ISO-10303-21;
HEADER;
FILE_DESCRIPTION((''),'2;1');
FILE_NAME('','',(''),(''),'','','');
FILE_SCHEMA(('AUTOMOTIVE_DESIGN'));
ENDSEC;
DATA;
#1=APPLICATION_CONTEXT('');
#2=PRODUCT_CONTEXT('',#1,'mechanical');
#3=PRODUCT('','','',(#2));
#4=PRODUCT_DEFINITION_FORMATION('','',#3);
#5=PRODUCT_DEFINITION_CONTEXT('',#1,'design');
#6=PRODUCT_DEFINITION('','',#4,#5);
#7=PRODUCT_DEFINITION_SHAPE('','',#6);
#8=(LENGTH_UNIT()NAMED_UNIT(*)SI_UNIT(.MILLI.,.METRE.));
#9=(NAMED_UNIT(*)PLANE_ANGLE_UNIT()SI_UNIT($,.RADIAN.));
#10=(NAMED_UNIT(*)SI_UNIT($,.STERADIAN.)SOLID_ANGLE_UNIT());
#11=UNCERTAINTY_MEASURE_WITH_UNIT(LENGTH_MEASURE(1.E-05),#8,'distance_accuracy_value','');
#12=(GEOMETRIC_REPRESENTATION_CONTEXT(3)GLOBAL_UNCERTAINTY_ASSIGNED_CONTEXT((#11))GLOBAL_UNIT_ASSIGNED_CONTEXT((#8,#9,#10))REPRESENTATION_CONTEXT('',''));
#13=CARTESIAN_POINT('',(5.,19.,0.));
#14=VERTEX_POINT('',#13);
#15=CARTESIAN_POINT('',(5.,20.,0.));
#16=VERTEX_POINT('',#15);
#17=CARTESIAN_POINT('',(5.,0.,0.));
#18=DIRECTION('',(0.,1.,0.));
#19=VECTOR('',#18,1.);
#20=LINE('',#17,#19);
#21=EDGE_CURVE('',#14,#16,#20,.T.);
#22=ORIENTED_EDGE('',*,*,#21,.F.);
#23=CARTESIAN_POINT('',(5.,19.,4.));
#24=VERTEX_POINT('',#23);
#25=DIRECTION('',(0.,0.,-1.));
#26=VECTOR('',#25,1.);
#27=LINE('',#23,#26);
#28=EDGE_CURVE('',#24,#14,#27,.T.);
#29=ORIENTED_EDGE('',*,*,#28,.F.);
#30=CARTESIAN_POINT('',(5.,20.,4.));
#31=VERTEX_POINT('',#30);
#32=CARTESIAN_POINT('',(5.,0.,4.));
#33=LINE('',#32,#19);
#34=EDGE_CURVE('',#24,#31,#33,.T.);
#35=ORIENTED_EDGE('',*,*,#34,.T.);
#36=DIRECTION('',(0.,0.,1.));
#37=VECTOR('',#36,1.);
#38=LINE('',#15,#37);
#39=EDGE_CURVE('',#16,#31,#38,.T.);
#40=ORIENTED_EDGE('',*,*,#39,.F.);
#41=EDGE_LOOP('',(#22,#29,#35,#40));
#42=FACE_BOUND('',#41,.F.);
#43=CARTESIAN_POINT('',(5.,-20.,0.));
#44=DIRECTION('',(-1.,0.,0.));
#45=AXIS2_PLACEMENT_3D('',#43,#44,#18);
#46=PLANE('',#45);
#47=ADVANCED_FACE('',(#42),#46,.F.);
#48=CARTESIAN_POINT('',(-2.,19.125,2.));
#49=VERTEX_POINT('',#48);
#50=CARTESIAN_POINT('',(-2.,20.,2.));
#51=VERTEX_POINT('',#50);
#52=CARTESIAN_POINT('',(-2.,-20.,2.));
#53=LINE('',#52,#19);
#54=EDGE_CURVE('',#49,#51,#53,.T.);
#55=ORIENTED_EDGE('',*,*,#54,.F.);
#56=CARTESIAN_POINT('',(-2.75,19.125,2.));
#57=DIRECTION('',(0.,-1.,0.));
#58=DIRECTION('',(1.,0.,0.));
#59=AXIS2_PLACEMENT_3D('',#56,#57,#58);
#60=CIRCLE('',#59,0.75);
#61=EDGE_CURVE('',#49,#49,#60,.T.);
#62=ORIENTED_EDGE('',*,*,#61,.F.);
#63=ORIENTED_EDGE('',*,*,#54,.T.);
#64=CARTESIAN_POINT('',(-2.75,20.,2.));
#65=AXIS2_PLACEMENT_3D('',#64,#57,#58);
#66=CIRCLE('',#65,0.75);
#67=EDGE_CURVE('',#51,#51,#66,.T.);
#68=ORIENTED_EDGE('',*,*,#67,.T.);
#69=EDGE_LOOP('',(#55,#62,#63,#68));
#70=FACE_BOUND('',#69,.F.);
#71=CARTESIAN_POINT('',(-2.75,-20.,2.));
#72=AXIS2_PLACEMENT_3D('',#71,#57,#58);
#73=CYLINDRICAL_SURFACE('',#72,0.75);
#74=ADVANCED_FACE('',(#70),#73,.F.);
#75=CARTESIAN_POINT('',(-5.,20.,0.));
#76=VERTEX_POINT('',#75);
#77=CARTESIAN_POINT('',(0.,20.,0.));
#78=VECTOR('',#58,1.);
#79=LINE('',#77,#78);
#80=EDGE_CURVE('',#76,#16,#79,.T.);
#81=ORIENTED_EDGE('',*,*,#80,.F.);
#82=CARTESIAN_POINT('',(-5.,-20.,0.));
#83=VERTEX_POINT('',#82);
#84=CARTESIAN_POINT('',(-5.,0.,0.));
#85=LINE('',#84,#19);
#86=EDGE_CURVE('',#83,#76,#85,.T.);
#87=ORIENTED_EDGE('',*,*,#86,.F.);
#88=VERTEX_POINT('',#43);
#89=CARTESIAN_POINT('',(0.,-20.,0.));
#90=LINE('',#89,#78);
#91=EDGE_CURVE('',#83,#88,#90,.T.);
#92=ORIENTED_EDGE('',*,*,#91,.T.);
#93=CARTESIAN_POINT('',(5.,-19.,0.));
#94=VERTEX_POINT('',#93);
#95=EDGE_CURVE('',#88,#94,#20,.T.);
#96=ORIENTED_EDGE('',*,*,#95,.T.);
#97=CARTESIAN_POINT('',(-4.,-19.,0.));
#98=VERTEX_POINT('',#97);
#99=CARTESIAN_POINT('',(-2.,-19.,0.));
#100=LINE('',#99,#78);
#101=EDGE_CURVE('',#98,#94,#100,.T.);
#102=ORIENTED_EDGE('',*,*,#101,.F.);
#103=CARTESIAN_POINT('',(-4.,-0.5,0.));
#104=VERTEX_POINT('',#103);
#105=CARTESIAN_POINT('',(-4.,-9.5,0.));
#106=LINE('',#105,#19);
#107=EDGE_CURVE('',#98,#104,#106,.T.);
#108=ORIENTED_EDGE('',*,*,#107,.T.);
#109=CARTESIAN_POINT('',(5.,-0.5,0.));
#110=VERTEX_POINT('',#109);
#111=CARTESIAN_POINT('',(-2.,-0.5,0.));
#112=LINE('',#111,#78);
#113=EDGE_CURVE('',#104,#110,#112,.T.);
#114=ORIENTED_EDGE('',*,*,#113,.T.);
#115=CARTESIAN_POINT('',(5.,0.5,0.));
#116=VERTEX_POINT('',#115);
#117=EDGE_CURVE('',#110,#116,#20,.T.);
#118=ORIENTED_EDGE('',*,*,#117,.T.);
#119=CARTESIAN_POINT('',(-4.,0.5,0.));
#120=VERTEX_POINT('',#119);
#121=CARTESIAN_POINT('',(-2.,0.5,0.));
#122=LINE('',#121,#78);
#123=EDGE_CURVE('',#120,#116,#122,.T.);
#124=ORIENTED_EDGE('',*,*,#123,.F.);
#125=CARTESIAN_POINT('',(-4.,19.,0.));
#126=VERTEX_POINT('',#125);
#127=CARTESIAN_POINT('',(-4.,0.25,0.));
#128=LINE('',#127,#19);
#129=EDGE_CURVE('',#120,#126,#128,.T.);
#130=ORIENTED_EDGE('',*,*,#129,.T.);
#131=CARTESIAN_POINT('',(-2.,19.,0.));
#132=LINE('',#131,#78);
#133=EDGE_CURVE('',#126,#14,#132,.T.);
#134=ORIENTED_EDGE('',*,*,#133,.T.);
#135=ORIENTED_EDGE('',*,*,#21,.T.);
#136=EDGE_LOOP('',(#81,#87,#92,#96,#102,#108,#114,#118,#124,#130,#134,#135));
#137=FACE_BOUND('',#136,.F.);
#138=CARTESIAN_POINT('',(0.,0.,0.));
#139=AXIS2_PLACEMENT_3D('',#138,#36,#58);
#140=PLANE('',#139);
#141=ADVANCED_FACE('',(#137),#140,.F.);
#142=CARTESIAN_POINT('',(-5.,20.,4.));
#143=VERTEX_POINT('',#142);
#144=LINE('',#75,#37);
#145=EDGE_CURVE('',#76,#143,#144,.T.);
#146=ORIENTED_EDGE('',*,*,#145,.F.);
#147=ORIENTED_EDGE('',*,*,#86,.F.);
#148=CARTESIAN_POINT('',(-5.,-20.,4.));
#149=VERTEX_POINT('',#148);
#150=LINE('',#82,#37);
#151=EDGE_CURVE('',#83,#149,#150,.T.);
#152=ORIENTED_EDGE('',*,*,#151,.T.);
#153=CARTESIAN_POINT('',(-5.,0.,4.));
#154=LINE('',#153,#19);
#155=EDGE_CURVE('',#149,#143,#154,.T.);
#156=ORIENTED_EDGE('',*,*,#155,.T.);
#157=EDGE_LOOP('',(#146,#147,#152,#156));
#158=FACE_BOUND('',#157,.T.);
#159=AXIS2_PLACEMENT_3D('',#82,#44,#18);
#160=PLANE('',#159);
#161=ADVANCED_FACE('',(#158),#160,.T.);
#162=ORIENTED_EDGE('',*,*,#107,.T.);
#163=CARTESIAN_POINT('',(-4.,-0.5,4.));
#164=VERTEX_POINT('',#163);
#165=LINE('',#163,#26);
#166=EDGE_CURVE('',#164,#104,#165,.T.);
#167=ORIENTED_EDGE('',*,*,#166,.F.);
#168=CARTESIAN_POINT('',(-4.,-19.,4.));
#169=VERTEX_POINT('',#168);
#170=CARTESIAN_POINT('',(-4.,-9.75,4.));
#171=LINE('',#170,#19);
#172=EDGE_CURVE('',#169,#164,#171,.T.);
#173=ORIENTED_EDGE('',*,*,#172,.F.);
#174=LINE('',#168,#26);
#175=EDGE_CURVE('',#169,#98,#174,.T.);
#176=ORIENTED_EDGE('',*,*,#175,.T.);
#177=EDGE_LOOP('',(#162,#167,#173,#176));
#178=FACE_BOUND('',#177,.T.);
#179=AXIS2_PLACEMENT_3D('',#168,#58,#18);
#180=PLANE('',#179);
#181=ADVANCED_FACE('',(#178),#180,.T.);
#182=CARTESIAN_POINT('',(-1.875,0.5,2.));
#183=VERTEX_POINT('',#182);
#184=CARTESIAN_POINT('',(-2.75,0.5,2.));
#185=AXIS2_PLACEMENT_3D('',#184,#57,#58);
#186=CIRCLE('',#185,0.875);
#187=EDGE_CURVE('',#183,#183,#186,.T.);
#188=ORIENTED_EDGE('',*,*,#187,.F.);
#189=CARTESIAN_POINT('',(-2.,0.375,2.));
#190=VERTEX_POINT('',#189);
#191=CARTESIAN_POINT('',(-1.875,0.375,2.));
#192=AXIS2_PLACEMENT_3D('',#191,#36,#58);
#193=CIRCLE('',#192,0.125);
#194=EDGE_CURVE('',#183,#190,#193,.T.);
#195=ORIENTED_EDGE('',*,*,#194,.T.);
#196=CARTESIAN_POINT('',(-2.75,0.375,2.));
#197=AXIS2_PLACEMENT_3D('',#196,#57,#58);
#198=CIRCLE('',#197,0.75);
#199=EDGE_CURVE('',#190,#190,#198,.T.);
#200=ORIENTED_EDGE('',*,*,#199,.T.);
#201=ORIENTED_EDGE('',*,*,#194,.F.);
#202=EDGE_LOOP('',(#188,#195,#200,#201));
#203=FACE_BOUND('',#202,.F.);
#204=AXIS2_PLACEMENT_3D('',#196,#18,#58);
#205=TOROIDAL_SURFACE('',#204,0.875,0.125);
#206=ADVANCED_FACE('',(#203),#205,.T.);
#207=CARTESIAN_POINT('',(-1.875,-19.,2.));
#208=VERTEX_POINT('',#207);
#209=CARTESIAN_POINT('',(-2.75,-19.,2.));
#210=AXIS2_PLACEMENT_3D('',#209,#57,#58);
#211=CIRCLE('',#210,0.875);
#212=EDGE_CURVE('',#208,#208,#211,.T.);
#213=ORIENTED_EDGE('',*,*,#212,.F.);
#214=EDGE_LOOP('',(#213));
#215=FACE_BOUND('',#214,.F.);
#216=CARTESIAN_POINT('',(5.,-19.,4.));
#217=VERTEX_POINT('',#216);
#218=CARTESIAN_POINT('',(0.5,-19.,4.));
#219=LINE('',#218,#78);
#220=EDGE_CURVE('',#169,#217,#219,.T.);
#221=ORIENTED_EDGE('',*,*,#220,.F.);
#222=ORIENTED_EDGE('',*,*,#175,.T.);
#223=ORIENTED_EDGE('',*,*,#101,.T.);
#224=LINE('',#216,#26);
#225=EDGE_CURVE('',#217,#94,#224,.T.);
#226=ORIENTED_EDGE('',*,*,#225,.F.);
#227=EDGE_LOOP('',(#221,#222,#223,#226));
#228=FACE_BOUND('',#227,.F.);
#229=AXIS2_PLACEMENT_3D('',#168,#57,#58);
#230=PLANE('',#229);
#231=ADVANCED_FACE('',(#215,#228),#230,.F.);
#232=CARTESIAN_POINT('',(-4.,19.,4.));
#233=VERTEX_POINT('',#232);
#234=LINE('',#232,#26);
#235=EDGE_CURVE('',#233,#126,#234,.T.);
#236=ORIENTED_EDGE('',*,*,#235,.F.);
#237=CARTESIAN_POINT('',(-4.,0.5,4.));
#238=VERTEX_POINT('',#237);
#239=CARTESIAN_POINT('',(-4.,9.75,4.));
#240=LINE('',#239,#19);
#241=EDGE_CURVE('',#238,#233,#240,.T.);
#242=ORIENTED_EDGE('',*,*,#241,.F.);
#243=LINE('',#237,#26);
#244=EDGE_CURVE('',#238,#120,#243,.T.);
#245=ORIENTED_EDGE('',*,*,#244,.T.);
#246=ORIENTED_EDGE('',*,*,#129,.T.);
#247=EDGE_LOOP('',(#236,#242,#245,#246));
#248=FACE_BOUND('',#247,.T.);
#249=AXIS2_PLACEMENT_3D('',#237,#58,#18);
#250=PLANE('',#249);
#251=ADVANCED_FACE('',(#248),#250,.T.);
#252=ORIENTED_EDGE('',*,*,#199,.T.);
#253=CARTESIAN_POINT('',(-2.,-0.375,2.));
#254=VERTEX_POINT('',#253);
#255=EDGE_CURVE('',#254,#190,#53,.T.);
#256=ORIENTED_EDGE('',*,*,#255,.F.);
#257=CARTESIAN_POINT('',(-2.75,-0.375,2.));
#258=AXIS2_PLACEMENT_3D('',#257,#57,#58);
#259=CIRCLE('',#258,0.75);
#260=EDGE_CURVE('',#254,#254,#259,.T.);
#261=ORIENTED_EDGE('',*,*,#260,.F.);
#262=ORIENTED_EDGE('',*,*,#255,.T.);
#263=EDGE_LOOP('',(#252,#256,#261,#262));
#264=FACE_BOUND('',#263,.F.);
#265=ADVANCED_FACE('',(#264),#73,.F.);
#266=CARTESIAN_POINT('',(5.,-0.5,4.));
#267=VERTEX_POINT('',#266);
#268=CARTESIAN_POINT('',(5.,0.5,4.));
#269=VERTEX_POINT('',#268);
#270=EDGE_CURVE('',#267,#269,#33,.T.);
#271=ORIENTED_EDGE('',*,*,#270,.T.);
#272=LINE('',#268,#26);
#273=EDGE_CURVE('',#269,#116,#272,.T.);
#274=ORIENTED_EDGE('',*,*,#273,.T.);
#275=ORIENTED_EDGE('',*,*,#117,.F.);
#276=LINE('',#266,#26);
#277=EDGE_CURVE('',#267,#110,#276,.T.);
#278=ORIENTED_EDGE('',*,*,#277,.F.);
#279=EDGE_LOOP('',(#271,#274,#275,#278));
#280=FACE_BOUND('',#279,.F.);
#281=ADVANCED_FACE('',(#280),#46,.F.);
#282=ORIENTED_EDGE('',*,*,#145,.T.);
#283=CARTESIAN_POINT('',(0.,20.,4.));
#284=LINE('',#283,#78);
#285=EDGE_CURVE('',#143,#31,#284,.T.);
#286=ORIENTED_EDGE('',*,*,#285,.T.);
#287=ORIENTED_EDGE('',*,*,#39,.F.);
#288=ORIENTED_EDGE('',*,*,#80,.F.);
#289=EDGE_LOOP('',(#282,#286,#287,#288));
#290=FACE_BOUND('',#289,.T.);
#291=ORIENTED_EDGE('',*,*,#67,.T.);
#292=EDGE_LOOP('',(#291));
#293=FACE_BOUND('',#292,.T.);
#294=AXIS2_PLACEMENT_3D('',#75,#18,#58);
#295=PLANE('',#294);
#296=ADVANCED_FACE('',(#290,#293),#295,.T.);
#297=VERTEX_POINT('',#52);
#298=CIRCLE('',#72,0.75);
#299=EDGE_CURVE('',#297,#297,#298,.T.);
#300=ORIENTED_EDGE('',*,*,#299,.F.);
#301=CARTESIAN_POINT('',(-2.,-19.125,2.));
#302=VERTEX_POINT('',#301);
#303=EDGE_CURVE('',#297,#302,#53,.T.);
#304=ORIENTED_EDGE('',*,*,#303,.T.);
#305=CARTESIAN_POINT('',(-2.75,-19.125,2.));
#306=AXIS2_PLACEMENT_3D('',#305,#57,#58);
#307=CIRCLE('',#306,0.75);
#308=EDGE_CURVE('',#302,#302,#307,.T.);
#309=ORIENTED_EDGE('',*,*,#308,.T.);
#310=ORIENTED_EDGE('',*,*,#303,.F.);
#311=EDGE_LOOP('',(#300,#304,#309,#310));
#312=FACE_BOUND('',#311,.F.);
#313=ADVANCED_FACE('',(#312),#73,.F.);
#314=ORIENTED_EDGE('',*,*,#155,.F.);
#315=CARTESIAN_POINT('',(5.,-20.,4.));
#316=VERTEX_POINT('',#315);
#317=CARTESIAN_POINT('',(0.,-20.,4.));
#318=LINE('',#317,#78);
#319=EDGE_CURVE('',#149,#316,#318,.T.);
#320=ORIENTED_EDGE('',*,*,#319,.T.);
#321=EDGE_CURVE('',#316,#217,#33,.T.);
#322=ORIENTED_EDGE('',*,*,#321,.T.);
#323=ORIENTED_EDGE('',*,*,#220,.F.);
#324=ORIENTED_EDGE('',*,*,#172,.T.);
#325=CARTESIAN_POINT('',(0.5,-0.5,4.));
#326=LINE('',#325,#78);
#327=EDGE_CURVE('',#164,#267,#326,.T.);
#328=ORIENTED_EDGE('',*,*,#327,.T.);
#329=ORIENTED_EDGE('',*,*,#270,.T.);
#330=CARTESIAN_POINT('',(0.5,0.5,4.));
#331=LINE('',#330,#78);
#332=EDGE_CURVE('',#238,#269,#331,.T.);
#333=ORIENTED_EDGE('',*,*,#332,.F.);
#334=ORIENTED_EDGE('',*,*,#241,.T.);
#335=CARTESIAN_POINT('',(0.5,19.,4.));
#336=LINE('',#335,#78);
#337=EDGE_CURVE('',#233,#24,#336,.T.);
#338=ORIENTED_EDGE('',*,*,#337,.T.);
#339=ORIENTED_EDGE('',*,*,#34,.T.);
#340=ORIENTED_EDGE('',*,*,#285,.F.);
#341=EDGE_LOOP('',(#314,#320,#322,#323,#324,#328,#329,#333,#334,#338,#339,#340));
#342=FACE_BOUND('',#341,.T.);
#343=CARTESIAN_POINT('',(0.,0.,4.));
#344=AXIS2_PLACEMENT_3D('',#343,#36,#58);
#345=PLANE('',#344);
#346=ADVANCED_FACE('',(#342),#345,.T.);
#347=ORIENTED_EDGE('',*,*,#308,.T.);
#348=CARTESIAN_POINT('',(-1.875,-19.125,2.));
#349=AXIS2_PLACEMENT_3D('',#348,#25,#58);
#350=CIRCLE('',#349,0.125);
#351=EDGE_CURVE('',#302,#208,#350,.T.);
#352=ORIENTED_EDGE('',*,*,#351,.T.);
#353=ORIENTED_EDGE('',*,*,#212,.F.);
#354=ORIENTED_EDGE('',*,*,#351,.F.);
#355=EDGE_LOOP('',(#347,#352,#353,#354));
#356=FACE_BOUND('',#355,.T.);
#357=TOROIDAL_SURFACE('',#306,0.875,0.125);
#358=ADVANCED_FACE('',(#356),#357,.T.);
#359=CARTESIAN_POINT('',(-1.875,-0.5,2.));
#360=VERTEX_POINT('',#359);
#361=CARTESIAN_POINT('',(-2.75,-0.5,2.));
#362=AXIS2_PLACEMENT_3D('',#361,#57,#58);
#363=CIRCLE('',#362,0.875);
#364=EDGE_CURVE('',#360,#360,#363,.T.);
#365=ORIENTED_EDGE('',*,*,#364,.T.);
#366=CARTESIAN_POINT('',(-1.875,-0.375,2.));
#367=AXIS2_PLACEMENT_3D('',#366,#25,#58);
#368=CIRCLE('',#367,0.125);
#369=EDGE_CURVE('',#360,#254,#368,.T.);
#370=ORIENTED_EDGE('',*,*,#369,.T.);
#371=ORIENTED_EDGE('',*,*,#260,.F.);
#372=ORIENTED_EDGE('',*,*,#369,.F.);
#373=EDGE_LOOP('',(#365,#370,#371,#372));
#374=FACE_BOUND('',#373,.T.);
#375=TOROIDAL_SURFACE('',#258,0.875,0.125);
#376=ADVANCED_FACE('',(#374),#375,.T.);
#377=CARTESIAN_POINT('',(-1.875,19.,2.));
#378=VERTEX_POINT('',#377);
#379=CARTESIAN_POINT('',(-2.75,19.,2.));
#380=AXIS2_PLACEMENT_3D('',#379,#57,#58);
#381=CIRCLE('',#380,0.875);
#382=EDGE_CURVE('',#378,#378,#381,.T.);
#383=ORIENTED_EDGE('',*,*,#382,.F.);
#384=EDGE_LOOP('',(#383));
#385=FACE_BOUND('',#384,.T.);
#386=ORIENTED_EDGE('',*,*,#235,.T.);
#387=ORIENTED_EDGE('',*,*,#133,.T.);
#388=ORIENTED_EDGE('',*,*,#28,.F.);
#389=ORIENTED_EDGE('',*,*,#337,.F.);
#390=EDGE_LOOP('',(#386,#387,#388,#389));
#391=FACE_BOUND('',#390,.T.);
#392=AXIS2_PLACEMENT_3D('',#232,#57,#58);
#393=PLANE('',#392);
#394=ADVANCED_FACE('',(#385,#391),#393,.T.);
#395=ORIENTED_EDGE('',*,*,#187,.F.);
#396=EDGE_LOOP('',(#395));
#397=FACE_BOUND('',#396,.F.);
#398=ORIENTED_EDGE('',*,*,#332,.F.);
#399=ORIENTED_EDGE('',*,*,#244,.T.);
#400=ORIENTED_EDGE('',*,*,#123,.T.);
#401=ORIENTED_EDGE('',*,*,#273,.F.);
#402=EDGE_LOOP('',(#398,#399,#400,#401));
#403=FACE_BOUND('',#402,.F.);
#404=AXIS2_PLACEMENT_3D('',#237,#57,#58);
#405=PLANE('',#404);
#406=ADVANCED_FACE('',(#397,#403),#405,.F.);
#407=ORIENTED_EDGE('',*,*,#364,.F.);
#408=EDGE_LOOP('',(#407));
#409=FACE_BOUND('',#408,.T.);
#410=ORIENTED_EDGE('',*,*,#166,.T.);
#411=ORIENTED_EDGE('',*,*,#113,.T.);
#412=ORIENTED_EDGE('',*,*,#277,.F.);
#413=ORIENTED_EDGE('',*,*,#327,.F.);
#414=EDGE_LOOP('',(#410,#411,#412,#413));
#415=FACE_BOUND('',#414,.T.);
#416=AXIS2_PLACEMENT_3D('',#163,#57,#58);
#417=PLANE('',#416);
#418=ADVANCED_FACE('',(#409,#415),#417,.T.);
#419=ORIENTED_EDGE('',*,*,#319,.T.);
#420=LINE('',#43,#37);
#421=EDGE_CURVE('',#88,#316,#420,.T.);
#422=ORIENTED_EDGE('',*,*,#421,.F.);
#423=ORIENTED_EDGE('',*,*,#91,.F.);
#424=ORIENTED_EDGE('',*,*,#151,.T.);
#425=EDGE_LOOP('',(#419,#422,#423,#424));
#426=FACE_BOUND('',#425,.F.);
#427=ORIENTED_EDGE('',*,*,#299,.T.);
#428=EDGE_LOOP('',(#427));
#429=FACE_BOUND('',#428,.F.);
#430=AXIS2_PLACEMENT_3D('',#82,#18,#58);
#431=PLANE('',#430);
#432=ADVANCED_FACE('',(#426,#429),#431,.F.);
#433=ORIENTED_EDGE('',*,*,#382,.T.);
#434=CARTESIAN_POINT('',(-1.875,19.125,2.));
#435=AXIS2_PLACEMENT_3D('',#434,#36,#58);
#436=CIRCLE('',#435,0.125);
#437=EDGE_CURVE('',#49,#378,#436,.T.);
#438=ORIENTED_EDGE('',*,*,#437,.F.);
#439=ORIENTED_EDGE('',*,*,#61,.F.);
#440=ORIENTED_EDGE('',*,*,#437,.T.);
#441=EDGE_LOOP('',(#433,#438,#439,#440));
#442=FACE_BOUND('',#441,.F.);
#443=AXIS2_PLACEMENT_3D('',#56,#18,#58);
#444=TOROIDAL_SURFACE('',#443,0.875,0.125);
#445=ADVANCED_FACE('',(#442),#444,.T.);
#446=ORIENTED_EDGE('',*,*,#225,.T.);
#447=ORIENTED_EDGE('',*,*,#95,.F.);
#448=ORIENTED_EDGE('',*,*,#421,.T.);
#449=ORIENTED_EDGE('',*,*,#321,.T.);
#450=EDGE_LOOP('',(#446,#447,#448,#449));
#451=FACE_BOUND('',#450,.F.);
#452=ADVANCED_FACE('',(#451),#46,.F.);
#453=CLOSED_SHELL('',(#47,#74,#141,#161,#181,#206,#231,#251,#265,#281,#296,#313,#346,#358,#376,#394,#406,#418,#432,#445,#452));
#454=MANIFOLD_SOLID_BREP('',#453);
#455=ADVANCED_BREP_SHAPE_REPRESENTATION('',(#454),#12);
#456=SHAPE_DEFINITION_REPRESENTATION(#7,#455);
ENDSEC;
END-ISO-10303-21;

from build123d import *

# Parameters (mm, degrees)
F2_W     = 10
F2_H     = 40
F3_DEPTH = 4
F4_W     = 9
F4_H     = 18.5
F5_DEPTH = 4.001
F6_R     = 0.75
F7_DEPTH = 40.001
F8_R     = 0.125


with BuildPart() as f3:
    # F2 (on Top) → F3 (new body)
    with BuildSketch(Plane.XY):
        Rectangle(F2_W, F2_H)
    extrude(amount=F3_DEPTH)

    # F4 (on face) → F5 (cut, through all)
    with BuildSketch(Plane.XY.offset(4)):
        with Locations((0.5, 9.75)):
            Rectangle(F4_W, F4_H)
        with Locations((0.5, -9.75)):
            Rectangle(F4_W, F4_H)
    extrude(amount=-F5_DEPTH, mode=Mode.SUBTRACT)

    # F6 (on face) → F7 (cut, through all)
    with BuildSketch(Plane.XZ.offset(20)):
        with Locations((-2.75, 2)):
            Circle(F6_R)
    extrude(amount=-F7_DEPTH, mode=Mode.SUBTRACT)

    # F8
    f8_edges = [f3.edges().sort_by_distance(p)[0] for p in [
        (-3.5, -19, 2),
        (-3.5, -0.5, 2),
        (-3.5, 19, 2),
        (-3.5, 0.5, 2),
    ]]
    fillet(f8_edges, radius=F8_R)


solid = f3.part
